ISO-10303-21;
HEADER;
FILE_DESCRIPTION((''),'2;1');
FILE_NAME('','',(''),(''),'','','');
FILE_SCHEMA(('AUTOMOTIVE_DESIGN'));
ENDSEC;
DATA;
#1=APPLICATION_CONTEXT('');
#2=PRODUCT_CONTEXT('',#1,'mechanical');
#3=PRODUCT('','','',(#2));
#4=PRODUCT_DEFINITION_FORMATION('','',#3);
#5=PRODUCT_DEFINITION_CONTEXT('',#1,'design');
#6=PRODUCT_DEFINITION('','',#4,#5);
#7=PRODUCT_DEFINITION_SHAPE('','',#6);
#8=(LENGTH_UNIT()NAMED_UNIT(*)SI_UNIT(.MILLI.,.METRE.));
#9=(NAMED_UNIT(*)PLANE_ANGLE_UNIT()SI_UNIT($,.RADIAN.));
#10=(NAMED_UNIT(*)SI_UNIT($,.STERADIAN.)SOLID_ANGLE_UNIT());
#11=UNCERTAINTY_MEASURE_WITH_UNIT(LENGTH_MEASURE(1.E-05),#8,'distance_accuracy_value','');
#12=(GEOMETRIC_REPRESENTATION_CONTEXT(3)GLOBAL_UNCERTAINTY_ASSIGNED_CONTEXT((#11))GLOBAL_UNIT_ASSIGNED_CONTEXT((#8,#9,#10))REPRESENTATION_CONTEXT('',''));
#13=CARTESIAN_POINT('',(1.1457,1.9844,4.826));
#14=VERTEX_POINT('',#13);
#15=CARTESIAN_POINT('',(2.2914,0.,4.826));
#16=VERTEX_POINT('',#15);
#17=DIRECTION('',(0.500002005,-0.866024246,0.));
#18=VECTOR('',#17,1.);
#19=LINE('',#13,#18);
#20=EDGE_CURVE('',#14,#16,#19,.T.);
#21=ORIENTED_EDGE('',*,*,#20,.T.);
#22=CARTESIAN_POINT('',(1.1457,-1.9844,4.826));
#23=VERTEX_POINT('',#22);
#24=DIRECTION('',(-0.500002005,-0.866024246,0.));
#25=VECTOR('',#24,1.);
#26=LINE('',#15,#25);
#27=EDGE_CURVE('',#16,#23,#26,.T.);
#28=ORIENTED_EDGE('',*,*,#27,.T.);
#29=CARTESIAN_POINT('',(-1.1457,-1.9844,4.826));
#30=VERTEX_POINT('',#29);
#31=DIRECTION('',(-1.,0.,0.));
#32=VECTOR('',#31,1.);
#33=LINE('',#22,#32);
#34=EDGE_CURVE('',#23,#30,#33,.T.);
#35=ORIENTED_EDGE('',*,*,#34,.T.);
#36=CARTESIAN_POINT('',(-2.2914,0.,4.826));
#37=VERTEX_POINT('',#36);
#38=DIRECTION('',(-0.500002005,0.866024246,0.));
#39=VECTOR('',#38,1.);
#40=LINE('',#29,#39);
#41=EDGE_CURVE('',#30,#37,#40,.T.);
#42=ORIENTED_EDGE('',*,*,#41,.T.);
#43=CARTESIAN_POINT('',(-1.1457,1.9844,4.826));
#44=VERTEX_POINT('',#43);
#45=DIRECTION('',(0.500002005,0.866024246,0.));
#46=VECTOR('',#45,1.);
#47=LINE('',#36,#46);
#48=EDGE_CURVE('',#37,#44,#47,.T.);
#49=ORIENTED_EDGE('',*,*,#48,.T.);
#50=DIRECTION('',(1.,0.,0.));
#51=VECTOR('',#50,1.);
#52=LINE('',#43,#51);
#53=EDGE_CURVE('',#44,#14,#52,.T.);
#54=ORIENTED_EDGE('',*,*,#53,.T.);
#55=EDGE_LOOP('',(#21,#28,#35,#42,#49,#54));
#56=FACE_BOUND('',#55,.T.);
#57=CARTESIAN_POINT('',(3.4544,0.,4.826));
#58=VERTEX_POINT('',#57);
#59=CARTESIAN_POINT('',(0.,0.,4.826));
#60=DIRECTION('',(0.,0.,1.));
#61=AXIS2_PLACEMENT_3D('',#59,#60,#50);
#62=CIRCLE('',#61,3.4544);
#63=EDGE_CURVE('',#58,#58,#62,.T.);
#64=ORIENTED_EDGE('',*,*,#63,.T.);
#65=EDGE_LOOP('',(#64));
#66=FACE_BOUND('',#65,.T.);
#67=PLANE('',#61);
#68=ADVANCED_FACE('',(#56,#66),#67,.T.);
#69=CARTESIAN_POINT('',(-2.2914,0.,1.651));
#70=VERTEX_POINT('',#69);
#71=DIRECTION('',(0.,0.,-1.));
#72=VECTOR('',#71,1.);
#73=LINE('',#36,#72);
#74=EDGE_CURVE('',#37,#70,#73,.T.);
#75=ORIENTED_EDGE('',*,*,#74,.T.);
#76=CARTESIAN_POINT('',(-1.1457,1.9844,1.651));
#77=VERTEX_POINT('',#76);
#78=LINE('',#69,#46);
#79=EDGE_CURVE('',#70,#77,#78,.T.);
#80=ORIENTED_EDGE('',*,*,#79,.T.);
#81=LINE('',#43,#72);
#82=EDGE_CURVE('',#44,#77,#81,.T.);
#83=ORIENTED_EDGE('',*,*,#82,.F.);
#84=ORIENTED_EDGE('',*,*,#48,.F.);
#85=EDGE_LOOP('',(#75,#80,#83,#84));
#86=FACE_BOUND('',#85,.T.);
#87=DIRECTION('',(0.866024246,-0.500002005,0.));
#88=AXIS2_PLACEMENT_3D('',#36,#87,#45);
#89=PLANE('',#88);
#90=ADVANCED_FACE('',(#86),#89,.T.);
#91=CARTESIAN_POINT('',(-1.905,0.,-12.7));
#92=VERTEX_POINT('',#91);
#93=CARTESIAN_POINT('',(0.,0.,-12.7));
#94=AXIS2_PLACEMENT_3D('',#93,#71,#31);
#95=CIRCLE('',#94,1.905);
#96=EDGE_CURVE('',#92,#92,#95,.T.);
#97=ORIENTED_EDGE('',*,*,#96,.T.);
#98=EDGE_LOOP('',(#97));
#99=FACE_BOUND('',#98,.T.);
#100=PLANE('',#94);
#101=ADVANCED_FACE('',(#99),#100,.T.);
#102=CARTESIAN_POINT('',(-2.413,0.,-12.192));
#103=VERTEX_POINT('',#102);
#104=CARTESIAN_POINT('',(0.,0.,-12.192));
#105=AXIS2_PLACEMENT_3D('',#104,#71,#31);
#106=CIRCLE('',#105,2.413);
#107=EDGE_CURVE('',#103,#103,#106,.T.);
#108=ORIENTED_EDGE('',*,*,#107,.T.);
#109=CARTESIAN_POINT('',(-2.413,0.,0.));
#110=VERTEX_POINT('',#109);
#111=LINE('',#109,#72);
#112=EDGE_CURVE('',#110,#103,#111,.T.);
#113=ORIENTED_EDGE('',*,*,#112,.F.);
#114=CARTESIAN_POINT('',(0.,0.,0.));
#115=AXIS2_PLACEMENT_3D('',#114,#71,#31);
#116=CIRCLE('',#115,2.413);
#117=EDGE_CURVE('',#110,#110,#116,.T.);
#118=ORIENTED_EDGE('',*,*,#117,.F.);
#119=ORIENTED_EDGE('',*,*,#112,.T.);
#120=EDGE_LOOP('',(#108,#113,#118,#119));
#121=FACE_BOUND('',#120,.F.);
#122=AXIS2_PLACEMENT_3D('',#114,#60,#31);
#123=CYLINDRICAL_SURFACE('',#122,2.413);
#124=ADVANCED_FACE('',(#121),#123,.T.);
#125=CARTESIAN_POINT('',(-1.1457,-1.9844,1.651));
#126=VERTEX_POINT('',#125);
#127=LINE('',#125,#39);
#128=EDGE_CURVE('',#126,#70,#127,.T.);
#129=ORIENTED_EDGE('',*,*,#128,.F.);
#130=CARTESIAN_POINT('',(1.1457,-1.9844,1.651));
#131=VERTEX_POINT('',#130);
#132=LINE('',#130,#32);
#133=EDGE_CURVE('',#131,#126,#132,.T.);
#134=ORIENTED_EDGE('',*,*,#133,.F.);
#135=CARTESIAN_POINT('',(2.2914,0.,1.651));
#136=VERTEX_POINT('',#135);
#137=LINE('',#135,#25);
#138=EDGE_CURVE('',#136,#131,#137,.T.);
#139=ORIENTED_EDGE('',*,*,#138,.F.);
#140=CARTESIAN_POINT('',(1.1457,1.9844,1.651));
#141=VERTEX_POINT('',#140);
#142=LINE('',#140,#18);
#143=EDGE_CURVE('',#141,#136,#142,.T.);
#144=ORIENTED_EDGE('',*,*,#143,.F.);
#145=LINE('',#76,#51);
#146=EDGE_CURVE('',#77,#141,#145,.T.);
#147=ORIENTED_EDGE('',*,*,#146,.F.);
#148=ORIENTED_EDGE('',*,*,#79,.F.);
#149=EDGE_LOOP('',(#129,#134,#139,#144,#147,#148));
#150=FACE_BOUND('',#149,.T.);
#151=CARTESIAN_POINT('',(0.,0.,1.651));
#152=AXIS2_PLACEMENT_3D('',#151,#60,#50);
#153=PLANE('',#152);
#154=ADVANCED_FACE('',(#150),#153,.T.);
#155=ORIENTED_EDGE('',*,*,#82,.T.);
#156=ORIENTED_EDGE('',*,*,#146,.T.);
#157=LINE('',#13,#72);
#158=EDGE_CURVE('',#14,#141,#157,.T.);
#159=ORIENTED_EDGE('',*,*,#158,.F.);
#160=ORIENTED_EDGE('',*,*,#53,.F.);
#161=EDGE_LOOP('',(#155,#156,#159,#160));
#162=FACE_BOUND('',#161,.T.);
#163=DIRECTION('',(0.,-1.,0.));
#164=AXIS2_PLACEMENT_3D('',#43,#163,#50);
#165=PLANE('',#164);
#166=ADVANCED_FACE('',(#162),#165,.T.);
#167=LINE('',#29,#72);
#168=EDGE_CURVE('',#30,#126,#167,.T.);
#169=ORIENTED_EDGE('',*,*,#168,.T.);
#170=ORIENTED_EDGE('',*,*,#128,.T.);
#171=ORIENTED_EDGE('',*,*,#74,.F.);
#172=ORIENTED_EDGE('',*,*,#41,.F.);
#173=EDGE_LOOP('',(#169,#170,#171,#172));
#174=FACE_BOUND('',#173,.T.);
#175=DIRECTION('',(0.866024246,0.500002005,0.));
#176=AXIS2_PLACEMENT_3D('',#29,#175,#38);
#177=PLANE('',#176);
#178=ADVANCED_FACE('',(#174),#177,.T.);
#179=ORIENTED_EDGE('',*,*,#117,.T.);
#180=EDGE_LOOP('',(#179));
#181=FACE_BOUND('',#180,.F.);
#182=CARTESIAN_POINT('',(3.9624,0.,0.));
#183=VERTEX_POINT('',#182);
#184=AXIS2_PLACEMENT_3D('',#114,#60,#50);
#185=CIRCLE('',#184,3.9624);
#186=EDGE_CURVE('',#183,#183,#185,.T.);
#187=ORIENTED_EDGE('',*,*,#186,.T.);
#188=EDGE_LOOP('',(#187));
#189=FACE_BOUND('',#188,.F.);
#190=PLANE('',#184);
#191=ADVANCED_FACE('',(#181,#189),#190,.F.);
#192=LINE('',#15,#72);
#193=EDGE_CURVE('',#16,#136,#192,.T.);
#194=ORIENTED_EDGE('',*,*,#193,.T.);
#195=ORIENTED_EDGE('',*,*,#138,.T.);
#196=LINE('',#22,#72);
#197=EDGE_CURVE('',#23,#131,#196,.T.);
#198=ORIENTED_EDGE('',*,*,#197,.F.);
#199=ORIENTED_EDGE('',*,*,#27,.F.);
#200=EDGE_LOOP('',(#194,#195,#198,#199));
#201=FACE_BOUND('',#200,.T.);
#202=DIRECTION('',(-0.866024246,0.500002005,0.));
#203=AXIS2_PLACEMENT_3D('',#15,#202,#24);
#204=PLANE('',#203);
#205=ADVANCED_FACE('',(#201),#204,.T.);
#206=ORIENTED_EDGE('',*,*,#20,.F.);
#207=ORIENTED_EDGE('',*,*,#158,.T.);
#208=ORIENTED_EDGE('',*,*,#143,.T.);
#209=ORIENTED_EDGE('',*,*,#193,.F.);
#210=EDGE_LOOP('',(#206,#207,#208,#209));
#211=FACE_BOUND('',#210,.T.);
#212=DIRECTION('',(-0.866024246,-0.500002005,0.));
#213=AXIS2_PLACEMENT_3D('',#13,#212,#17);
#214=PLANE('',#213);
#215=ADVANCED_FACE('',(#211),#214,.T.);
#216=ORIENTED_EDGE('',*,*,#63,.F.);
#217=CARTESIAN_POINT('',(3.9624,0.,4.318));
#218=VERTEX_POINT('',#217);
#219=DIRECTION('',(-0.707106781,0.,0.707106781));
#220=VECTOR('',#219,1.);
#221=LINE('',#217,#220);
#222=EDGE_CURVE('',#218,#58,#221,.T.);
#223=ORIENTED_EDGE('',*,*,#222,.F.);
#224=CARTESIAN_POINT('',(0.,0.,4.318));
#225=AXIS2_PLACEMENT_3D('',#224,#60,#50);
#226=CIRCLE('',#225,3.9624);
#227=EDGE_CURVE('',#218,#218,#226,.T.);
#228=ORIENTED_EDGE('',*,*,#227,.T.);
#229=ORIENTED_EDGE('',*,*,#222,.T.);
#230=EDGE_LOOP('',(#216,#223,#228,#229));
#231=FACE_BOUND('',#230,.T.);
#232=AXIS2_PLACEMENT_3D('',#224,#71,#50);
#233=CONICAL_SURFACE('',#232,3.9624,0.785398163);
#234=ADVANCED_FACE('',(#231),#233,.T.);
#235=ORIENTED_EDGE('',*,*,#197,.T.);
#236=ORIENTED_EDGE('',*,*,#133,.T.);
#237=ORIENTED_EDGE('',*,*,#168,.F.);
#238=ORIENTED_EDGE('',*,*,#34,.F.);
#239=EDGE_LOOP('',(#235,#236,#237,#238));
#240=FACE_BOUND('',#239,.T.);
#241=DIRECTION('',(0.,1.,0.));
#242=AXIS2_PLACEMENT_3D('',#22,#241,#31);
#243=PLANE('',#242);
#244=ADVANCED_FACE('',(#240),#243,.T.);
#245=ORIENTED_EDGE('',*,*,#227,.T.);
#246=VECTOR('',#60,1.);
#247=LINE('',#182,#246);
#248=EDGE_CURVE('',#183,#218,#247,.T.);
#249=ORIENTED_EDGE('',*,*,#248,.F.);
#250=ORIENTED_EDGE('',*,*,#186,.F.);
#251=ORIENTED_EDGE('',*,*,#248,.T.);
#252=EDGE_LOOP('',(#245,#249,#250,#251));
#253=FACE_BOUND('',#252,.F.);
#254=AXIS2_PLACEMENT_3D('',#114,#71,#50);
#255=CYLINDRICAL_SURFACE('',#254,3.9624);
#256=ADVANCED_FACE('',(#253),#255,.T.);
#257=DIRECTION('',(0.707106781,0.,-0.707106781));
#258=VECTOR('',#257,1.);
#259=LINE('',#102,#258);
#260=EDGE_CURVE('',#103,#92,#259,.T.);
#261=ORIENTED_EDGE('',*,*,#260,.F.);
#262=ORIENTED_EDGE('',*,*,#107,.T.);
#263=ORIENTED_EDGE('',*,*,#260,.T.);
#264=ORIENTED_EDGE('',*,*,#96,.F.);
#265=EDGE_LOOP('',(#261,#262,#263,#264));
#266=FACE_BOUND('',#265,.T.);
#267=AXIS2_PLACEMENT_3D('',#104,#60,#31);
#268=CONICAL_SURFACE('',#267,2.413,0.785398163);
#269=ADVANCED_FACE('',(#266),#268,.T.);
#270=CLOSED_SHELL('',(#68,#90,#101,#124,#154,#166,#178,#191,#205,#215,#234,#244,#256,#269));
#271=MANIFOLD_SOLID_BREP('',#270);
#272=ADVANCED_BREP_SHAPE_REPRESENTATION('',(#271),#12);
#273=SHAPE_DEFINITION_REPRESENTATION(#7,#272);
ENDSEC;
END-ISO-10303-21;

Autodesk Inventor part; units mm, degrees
ref_plane "YZ Plane" through (0, 0, 0) normal (1, 0, 0) x (0, 1, 0)
ref_plane "XZ Plane" through (0, 0, 0) normal (0, 1, 0) x (-1, 0, 0)
ref_plane "XY Plane" through (0, 0, 0) normal (0, 0, 1) x (1, 0, 0)
sketch "Sketch1" plane through (0, 0, 0) normal (0, 0, 1) x (1, 0, 0)
  circle A0 centre (0, 0) radius 3.9624
  dimension "d0" = 7.9248
extrude "Extrusion1" add sketch "Sketch1" along normal blind 4.826
sketch "Sketch2" plane through (0, 0, 0) normal (0, 0, -1) x (-1, 0, 0)
  circle A0 centre (0, 0) radius 3.9624 projected
  circle A1 centre (0, 0) radius 2.413
  dimension "d3" = 4.826
extrude "Extrusion2" add sketch "Sketch2" along normal blind 12.7 contours A1
sketch "Sketch3" plane through (0, 0, 4.826) normal (0, 0, 1) x (1, 0, 0)
  circle A0 centre (0, 0) radius 3.9624 projected
  line L0 (-1.1457, 1.9844) -> (1.1457, 1.9844)
  line L1 (1.1457, 1.9844) -> (2.2914, 0)
  line L2 (2.2914, 0) -> (1.1457, -1.9844)
  line L3 (1.1457, -1.9844) -> (-1.1457, -1.9844)
  line L4 (-1.1457, -1.9844) -> (-2.2914, 0)
  line L5 (-2.2914, 0) -> (-1.1457, 1.9844)
  dimension "d6" = 3.9688
extrude "Extrusion3" cut sketch "Sketch3" against normal blind 3.175 contours L0 L1 L2 L3 L4 L5
thread "Thread1" size "10-32 UNF" class "2A" standard "ANSI Unified Screw Threads" full length
chamfer "Chamfer1" distance 0.508 angle 45 1 edges at (2.413, 0, -12.7)
chamfer "Chamfer2" distance 0.508 angle 45 1 edges at (-3.9624, 0, 4.826)
properties part number "10-32 x1000" material "Steel"
